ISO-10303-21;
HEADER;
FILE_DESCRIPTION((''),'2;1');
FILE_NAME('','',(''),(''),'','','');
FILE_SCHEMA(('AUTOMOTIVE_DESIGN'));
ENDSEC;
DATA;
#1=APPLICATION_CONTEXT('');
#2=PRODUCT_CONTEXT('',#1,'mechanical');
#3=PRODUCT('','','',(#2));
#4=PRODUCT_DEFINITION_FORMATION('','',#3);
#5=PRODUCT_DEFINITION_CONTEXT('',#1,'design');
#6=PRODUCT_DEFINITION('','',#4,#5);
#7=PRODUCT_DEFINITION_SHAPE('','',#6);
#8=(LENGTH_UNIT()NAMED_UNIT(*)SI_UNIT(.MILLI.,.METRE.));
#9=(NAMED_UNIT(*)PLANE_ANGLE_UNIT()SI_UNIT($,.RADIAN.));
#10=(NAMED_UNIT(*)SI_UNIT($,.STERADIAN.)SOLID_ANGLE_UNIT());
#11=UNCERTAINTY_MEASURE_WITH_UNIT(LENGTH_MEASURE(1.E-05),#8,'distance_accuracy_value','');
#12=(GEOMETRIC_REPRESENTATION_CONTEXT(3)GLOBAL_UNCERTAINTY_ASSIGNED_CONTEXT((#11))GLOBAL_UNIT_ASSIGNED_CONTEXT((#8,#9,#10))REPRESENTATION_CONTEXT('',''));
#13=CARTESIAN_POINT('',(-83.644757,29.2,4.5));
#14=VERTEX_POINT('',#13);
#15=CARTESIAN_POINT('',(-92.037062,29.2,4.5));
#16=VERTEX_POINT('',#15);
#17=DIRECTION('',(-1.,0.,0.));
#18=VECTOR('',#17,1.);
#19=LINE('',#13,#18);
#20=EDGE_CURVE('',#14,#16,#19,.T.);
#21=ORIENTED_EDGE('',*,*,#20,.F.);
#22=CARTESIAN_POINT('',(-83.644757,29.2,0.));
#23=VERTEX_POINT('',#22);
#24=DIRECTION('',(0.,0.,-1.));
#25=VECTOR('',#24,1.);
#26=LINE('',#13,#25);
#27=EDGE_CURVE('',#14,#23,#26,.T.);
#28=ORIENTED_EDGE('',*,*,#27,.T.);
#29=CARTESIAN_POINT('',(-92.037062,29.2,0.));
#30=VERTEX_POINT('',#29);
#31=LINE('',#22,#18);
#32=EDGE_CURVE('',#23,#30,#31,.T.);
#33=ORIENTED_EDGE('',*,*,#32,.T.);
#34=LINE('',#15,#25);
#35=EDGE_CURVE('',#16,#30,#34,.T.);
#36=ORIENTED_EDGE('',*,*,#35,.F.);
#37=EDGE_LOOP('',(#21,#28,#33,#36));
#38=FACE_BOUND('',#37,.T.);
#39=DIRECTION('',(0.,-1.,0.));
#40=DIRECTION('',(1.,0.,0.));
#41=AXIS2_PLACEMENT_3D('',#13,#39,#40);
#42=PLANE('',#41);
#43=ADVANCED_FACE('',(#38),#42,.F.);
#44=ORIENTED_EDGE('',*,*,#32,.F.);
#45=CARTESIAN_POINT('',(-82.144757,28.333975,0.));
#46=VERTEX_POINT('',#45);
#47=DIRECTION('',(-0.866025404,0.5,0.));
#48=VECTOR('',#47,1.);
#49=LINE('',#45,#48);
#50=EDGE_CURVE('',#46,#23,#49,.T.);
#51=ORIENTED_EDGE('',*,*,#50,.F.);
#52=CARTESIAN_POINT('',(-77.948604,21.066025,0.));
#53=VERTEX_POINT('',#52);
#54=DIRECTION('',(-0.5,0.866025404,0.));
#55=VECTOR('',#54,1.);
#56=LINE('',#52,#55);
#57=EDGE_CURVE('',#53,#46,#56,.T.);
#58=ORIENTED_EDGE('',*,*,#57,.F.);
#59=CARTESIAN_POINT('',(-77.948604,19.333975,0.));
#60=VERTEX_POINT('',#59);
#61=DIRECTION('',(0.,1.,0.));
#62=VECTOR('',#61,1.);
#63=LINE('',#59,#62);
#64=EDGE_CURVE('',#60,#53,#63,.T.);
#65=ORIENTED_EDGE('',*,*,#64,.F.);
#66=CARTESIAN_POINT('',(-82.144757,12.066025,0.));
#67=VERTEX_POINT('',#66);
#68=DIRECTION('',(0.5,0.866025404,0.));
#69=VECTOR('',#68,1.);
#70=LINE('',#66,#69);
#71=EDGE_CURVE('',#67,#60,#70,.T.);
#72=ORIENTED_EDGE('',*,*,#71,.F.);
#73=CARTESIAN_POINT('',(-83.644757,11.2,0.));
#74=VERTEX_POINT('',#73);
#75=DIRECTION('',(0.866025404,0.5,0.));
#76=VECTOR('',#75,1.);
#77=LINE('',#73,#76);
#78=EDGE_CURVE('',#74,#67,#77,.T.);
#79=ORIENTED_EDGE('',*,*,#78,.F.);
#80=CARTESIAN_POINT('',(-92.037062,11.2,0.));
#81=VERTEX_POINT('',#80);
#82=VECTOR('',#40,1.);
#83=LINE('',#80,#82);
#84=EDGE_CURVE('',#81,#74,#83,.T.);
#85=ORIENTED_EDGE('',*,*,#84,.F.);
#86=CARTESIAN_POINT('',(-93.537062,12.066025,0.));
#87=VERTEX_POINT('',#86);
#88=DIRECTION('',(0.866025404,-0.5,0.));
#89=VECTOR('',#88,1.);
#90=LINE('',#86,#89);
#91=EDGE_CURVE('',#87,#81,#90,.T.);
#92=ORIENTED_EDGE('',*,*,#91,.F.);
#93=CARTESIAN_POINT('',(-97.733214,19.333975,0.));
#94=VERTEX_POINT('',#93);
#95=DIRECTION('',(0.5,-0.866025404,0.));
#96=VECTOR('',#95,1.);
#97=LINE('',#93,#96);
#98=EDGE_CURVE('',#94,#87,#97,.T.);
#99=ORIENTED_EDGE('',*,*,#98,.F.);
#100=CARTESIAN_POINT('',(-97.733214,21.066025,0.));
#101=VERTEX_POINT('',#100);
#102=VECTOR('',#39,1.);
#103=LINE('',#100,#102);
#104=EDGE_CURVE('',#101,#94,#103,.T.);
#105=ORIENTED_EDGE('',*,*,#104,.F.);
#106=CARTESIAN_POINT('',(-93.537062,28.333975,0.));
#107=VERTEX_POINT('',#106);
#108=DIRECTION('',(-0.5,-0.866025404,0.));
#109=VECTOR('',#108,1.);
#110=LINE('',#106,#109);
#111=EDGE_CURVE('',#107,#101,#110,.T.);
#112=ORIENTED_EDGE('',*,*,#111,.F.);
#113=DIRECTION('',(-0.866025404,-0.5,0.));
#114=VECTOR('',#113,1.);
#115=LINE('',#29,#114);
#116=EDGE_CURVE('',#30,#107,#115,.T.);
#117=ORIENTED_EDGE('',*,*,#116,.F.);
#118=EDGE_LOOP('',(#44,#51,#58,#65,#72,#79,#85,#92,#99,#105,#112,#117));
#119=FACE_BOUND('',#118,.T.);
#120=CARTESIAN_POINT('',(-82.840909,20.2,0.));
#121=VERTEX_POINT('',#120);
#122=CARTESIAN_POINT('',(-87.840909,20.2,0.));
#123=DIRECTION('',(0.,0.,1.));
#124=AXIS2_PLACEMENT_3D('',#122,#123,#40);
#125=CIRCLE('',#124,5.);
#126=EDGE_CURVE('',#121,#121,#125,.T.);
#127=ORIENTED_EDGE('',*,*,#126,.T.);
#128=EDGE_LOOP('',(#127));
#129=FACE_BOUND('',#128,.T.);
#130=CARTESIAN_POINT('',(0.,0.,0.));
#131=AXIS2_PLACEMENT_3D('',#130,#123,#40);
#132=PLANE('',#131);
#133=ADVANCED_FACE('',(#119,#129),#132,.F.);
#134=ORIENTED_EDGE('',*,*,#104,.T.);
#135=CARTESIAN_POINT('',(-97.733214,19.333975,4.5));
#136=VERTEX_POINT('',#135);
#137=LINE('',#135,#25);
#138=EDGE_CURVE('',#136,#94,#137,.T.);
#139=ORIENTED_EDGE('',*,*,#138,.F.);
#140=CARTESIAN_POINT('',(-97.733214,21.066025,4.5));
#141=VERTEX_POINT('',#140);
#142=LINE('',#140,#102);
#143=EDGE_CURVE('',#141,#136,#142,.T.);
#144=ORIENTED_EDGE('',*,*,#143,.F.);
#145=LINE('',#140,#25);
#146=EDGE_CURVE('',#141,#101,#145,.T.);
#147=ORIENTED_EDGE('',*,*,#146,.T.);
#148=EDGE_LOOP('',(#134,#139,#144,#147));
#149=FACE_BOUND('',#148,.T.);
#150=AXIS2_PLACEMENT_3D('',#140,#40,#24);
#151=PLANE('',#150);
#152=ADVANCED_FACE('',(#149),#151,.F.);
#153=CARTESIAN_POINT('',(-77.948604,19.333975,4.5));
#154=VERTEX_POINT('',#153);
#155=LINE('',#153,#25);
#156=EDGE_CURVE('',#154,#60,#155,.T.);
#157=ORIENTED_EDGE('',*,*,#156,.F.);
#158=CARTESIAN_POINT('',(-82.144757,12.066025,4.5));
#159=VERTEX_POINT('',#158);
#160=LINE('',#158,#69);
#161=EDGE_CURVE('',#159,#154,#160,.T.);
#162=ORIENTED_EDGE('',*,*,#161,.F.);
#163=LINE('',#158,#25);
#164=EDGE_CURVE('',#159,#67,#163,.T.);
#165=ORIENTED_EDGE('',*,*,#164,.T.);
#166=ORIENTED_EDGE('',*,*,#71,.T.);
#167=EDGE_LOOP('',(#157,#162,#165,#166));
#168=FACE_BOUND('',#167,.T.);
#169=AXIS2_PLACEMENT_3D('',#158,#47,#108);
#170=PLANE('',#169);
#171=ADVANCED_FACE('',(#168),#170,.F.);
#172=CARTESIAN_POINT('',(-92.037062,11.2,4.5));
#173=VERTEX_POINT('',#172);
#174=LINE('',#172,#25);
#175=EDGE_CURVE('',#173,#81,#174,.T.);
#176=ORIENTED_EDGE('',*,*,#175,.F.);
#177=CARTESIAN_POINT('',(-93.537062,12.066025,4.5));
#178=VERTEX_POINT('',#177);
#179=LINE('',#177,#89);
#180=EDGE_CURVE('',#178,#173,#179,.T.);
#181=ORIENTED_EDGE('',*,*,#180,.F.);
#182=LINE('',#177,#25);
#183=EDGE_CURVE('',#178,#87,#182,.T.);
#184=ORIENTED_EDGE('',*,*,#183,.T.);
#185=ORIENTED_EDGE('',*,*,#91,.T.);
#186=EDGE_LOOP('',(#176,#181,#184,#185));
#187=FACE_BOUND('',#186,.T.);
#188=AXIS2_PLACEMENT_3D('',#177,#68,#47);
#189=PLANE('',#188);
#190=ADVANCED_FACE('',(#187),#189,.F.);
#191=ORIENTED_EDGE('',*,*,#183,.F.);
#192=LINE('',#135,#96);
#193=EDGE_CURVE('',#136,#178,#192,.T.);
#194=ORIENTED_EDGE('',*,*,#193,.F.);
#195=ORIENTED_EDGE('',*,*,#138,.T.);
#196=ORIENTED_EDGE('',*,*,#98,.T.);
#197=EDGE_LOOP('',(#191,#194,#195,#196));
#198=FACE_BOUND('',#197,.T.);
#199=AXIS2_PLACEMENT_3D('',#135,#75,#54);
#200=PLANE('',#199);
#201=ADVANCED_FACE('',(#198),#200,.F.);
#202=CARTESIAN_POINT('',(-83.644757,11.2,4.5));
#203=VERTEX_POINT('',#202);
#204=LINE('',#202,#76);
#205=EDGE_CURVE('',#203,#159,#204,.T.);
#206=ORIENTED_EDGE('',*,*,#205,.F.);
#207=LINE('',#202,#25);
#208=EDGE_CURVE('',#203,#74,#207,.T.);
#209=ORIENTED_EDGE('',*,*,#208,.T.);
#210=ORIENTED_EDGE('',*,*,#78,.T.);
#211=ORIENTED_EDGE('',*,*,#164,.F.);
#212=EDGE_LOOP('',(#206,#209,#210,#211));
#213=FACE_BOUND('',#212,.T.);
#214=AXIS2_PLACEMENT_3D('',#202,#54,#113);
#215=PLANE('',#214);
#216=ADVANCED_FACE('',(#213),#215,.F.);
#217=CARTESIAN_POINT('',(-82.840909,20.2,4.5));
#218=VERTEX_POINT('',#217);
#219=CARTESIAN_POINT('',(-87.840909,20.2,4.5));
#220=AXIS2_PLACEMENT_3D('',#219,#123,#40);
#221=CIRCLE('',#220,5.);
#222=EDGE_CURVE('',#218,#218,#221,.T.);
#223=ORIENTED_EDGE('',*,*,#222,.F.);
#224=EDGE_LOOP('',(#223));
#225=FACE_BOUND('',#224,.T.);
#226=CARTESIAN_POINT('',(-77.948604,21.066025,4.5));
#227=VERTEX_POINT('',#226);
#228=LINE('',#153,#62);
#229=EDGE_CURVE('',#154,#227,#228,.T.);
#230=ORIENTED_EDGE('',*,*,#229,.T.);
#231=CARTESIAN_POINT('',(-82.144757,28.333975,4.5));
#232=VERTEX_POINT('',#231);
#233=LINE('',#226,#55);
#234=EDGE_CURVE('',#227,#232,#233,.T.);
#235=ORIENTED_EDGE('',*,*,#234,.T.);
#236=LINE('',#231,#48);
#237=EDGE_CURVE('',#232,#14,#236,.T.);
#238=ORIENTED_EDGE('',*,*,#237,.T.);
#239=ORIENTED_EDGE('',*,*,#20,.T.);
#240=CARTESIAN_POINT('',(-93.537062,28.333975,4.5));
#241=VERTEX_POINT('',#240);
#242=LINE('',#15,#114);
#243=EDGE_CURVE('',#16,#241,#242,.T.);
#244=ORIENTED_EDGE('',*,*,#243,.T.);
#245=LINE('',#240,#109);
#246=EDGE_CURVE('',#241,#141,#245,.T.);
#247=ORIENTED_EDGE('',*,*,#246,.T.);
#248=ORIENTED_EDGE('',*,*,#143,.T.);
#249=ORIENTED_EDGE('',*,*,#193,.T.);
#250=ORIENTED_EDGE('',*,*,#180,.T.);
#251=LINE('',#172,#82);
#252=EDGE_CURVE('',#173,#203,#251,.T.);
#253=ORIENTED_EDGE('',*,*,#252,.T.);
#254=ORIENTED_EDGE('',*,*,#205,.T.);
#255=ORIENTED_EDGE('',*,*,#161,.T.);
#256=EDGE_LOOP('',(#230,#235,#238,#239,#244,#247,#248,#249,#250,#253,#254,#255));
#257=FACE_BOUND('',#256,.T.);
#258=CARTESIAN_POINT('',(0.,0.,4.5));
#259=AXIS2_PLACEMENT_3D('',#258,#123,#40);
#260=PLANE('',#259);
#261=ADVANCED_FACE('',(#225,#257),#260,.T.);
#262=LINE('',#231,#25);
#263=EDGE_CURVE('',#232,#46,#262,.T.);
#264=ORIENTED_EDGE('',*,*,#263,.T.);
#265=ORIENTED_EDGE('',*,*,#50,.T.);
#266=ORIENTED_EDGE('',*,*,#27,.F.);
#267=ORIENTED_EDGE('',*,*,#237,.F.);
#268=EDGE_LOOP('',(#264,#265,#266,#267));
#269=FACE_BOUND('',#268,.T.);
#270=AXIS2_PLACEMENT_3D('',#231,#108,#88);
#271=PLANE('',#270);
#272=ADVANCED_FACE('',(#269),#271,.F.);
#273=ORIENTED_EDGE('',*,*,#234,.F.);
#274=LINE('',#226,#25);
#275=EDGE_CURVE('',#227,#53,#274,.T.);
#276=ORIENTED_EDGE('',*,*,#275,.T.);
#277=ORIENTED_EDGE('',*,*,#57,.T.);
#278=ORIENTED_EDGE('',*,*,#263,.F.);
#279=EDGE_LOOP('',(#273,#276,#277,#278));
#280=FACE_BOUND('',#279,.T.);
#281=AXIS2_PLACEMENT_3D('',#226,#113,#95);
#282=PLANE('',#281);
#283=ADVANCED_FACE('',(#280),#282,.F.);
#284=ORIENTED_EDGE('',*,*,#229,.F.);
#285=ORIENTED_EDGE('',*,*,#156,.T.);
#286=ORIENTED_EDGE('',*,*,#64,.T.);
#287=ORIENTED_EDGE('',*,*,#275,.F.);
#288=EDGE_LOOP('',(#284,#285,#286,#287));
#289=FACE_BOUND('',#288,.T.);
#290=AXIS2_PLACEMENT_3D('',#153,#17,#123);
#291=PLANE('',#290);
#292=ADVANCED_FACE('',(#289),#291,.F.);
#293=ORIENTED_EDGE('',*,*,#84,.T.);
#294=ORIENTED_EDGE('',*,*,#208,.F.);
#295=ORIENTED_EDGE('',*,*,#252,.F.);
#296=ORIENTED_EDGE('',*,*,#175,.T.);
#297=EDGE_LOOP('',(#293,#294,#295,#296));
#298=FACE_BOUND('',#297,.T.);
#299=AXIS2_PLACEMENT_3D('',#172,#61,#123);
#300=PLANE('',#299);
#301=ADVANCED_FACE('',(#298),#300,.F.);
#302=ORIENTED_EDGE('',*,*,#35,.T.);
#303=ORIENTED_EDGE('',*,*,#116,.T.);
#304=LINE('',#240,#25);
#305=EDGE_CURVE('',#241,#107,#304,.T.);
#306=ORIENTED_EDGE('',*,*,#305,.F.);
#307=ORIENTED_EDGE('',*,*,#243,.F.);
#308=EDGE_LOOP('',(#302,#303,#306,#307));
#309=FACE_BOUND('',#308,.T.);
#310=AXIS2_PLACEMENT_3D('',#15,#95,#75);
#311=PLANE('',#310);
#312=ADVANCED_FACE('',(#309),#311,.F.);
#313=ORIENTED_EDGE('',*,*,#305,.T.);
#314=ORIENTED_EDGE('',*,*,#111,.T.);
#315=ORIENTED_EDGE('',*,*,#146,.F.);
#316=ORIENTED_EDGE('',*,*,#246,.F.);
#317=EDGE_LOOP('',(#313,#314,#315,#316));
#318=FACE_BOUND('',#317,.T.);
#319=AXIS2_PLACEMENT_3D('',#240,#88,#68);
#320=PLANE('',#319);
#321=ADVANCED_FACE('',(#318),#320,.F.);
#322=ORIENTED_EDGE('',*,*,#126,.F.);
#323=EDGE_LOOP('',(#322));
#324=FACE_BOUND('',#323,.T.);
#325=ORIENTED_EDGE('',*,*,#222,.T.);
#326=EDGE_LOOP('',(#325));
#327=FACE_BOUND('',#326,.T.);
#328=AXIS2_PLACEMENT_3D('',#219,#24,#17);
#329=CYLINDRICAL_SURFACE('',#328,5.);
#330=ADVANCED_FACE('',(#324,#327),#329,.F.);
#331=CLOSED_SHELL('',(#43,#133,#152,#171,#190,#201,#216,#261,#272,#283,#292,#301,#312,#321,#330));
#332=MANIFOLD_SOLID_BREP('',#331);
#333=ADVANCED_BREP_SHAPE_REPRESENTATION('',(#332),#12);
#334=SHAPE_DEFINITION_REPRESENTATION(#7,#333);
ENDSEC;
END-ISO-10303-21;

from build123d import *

# Parameters (mm, degrees)
SKETCH_1_R      = 5
EXTRUDE_1_DEPTH = 4.5


with BuildPart() as part:
    # 草圖1 → 填料-伸長1 (new body)
    with BuildSketch(Plane.XY):
        Polygon((-77.948604344, 21.066025404), (-82.144756767, 28.333974596), (-83.644756767, 29.2), (-92.037061613, 29.2), (-93.537061613, 28.333974596), (-97.733214035, 21.066025404), (-97.733214035, 19.333974596), (-93.537061613, 12.066025404), (-92.037061613, 11.2), (-83.644756767, 11.2), (-82.144756767, 12.066025404), (-77.948604344, 19.333974596), align=None)
        with Locations((-87.84090919, 20.2)):
            Circle(SKETCH_1_R, mode=Mode.SUBTRACT)
    extrude(amount=EXTRUDE_1_DEPTH)


solid = part.part
